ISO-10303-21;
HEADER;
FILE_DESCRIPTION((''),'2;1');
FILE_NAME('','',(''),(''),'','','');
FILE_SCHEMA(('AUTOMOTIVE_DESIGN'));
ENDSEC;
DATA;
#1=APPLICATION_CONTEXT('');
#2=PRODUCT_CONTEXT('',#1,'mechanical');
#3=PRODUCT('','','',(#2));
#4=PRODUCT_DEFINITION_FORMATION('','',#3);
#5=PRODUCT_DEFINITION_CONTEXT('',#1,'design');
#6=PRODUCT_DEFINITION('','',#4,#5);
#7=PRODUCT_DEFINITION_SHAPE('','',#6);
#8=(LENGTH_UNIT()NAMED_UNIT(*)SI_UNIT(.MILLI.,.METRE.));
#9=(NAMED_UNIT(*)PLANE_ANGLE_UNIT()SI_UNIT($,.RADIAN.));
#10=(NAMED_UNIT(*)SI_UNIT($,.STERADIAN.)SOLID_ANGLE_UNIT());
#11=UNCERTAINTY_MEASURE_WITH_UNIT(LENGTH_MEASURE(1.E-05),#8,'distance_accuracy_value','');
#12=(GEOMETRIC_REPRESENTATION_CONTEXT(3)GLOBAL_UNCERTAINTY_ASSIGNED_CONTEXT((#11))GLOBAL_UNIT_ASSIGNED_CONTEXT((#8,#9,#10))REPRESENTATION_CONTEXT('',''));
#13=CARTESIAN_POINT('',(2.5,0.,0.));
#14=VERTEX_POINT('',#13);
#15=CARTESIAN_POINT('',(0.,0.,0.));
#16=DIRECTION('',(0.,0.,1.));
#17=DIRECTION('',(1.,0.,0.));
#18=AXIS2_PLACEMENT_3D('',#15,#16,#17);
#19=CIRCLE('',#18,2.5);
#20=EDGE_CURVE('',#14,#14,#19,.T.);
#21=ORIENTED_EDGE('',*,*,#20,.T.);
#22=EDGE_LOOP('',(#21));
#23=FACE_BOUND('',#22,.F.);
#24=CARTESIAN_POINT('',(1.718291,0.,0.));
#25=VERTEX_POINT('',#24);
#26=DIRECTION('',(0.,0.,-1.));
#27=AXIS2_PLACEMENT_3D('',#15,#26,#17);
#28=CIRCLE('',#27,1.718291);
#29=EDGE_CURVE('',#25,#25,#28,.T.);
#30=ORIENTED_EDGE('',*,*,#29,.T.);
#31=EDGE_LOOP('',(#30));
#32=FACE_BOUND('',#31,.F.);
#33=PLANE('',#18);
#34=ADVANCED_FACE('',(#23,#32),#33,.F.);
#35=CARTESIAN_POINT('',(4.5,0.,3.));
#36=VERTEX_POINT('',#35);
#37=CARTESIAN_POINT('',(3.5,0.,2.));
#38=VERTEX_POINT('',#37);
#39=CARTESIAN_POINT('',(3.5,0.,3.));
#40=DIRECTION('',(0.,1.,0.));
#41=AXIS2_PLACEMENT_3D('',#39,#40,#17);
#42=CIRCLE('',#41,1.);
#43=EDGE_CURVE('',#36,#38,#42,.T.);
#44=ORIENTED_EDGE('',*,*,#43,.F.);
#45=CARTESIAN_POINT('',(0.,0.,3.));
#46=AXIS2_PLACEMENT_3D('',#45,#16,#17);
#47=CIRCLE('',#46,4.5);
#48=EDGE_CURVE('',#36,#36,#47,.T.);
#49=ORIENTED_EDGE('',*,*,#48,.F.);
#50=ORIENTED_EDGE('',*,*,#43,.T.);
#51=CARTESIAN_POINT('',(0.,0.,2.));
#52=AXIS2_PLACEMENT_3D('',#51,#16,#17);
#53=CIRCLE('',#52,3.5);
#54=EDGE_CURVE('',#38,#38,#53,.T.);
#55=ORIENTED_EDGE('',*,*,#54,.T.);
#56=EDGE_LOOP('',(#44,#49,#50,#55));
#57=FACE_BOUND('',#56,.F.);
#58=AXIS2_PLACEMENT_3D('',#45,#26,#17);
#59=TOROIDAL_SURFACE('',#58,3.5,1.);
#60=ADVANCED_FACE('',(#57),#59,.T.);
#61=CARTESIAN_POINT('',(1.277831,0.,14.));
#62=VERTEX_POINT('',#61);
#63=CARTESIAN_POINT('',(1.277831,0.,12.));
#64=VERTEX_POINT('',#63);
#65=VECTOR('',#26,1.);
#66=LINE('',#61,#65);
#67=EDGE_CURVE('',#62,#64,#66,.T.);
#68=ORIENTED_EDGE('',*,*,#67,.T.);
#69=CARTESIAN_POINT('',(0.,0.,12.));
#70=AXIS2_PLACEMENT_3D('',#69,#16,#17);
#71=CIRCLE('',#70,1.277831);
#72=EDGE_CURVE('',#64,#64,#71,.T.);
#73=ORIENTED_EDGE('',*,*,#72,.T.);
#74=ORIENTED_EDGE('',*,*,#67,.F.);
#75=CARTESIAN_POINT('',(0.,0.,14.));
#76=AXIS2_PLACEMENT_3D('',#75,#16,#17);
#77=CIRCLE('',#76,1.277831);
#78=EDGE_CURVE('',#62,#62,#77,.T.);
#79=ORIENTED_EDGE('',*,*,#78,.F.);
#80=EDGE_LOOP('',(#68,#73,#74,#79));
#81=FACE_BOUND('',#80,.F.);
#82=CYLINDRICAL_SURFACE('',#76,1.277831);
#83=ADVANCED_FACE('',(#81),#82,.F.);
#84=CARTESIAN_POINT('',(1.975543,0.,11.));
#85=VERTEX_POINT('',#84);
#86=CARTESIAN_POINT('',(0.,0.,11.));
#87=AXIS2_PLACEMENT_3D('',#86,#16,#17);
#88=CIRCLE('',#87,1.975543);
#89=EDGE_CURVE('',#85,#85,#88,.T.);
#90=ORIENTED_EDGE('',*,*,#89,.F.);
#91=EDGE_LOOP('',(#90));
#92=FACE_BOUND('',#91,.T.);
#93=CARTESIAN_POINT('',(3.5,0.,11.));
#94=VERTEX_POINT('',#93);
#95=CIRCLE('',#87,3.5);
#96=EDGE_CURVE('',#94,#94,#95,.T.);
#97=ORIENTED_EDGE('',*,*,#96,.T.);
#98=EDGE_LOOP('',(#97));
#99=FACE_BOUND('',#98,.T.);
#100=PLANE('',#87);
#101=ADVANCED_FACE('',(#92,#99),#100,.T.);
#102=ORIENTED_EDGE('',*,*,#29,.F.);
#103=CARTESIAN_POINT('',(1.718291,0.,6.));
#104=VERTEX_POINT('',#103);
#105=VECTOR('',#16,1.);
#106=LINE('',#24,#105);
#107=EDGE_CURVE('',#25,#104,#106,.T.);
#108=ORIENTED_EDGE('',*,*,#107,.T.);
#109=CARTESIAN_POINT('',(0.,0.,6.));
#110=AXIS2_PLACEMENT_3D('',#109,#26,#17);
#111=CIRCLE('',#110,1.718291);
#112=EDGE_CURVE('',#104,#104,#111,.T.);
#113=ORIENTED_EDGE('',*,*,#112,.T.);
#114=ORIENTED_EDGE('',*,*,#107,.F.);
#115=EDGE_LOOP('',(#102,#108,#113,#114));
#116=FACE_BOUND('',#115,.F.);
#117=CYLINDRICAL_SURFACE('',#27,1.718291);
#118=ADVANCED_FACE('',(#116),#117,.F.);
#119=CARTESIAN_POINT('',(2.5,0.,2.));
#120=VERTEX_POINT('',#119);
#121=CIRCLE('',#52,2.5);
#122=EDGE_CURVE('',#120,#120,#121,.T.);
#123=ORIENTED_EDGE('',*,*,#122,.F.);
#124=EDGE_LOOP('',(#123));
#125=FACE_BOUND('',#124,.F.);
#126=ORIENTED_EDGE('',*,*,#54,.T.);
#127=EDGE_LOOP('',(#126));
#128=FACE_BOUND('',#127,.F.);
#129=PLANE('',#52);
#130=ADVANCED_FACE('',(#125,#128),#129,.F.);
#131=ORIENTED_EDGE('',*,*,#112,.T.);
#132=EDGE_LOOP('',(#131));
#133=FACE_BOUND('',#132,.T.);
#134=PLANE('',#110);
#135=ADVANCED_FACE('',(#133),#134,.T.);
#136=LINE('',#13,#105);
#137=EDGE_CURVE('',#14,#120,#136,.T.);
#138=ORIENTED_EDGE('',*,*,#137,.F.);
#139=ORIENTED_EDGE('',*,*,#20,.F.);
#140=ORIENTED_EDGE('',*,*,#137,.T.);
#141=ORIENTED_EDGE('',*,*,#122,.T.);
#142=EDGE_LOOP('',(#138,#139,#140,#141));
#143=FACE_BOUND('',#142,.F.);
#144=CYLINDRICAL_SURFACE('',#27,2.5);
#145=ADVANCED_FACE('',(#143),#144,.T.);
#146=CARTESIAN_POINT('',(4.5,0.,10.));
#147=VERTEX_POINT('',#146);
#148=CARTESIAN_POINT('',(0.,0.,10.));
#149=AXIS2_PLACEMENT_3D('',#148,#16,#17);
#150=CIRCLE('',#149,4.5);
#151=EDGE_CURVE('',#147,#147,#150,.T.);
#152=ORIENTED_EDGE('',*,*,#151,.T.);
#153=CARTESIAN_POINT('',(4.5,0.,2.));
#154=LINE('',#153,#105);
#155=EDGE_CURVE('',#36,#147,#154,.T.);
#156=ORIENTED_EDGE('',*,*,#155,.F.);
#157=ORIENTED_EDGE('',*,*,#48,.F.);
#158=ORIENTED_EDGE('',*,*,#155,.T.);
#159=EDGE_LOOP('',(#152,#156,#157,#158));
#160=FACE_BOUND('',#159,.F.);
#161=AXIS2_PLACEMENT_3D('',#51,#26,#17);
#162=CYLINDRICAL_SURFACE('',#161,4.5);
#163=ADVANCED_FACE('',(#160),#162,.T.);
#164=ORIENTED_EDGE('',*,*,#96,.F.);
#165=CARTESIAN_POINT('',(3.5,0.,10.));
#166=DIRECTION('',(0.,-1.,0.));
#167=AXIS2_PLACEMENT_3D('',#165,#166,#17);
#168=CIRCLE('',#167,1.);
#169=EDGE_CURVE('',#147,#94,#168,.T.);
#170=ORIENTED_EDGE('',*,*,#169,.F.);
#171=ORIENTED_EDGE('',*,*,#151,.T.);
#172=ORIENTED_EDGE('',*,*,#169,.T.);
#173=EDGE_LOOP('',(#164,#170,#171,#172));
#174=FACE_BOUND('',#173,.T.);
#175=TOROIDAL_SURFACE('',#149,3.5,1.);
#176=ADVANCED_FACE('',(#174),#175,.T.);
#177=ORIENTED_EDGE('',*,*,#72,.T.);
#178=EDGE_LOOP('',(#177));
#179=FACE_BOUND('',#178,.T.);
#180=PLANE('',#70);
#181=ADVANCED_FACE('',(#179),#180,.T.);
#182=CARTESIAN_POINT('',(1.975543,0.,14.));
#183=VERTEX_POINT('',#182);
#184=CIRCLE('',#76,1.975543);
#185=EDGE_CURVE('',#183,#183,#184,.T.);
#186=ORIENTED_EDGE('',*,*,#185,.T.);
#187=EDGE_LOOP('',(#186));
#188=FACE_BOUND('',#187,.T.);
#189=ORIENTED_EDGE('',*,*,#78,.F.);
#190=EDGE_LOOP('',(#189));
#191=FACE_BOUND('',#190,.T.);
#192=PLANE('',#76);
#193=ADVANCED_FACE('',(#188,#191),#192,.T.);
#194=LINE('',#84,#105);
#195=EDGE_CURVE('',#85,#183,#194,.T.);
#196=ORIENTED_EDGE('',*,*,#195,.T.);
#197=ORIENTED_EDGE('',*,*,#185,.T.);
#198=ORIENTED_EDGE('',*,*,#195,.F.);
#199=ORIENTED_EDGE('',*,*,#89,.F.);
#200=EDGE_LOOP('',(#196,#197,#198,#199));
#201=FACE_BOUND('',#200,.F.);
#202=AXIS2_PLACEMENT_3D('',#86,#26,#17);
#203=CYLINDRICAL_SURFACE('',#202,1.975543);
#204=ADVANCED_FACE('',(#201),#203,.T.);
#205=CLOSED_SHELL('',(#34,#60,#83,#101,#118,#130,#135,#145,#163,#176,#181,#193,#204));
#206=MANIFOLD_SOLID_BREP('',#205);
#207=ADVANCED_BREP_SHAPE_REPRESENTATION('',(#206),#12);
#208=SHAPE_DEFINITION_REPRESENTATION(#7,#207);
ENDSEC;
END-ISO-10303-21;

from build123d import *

# Parameters (mm, degrees)
F0_R      = 2.5
F1_DEPTH  = 2
F2_R      = 4.5
F3_DEPTH  = 9
F4_R      = 1.718291
F5_DEPTH  = 6
F6_R      = 1
F7_R      = 1.975543
F8_DEPTH  = 3
F9_R      = 1.277831
F10_DEPTH = 2


with BuildPart() as f1:
    # F0 (on Top) → F1 (new body)
    with BuildSketch(Plane.XY):
        Circle(F0_R)
    extrude(amount=F1_DEPTH)

    # F2 (on face) → F3 (join)
    with BuildSketch(Plane.XY.offset(2)):
        Circle(F2_R)
    extrude(amount=F3_DEPTH)

    # F4 (on face) → F5 (cut)
    with BuildSketch(Plane(origin=(0, 0, 0), x_dir=(1, 0, 0), z_dir=(0, 0, -1))):
        Circle(F4_R)
    extrude(amount=-F5_DEPTH, mode=Mode.SUBTRACT)

    # F6
    f6_edges = [f1.edges().sort_by_distance(p)[0] for p in [
        (-4.5, 0, 11),
        (-4.5, 0, 2),
    ]]
    fillet(f6_edges, radius=F6_R)

    # F7 (on face) → F8 (join)
    with BuildSketch(Plane.XY.offset(11)):
        Circle(F7_R)
    extrude(amount=F8_DEPTH)

    # F9 (on face) → F10 (cut)
    with BuildSketch(Plane.XY.offset(14)):
        Circle(F9_R)
    extrude(amount=-F10_DEPTH, mode=Mode.SUBTRACT)


solid = f1.part
